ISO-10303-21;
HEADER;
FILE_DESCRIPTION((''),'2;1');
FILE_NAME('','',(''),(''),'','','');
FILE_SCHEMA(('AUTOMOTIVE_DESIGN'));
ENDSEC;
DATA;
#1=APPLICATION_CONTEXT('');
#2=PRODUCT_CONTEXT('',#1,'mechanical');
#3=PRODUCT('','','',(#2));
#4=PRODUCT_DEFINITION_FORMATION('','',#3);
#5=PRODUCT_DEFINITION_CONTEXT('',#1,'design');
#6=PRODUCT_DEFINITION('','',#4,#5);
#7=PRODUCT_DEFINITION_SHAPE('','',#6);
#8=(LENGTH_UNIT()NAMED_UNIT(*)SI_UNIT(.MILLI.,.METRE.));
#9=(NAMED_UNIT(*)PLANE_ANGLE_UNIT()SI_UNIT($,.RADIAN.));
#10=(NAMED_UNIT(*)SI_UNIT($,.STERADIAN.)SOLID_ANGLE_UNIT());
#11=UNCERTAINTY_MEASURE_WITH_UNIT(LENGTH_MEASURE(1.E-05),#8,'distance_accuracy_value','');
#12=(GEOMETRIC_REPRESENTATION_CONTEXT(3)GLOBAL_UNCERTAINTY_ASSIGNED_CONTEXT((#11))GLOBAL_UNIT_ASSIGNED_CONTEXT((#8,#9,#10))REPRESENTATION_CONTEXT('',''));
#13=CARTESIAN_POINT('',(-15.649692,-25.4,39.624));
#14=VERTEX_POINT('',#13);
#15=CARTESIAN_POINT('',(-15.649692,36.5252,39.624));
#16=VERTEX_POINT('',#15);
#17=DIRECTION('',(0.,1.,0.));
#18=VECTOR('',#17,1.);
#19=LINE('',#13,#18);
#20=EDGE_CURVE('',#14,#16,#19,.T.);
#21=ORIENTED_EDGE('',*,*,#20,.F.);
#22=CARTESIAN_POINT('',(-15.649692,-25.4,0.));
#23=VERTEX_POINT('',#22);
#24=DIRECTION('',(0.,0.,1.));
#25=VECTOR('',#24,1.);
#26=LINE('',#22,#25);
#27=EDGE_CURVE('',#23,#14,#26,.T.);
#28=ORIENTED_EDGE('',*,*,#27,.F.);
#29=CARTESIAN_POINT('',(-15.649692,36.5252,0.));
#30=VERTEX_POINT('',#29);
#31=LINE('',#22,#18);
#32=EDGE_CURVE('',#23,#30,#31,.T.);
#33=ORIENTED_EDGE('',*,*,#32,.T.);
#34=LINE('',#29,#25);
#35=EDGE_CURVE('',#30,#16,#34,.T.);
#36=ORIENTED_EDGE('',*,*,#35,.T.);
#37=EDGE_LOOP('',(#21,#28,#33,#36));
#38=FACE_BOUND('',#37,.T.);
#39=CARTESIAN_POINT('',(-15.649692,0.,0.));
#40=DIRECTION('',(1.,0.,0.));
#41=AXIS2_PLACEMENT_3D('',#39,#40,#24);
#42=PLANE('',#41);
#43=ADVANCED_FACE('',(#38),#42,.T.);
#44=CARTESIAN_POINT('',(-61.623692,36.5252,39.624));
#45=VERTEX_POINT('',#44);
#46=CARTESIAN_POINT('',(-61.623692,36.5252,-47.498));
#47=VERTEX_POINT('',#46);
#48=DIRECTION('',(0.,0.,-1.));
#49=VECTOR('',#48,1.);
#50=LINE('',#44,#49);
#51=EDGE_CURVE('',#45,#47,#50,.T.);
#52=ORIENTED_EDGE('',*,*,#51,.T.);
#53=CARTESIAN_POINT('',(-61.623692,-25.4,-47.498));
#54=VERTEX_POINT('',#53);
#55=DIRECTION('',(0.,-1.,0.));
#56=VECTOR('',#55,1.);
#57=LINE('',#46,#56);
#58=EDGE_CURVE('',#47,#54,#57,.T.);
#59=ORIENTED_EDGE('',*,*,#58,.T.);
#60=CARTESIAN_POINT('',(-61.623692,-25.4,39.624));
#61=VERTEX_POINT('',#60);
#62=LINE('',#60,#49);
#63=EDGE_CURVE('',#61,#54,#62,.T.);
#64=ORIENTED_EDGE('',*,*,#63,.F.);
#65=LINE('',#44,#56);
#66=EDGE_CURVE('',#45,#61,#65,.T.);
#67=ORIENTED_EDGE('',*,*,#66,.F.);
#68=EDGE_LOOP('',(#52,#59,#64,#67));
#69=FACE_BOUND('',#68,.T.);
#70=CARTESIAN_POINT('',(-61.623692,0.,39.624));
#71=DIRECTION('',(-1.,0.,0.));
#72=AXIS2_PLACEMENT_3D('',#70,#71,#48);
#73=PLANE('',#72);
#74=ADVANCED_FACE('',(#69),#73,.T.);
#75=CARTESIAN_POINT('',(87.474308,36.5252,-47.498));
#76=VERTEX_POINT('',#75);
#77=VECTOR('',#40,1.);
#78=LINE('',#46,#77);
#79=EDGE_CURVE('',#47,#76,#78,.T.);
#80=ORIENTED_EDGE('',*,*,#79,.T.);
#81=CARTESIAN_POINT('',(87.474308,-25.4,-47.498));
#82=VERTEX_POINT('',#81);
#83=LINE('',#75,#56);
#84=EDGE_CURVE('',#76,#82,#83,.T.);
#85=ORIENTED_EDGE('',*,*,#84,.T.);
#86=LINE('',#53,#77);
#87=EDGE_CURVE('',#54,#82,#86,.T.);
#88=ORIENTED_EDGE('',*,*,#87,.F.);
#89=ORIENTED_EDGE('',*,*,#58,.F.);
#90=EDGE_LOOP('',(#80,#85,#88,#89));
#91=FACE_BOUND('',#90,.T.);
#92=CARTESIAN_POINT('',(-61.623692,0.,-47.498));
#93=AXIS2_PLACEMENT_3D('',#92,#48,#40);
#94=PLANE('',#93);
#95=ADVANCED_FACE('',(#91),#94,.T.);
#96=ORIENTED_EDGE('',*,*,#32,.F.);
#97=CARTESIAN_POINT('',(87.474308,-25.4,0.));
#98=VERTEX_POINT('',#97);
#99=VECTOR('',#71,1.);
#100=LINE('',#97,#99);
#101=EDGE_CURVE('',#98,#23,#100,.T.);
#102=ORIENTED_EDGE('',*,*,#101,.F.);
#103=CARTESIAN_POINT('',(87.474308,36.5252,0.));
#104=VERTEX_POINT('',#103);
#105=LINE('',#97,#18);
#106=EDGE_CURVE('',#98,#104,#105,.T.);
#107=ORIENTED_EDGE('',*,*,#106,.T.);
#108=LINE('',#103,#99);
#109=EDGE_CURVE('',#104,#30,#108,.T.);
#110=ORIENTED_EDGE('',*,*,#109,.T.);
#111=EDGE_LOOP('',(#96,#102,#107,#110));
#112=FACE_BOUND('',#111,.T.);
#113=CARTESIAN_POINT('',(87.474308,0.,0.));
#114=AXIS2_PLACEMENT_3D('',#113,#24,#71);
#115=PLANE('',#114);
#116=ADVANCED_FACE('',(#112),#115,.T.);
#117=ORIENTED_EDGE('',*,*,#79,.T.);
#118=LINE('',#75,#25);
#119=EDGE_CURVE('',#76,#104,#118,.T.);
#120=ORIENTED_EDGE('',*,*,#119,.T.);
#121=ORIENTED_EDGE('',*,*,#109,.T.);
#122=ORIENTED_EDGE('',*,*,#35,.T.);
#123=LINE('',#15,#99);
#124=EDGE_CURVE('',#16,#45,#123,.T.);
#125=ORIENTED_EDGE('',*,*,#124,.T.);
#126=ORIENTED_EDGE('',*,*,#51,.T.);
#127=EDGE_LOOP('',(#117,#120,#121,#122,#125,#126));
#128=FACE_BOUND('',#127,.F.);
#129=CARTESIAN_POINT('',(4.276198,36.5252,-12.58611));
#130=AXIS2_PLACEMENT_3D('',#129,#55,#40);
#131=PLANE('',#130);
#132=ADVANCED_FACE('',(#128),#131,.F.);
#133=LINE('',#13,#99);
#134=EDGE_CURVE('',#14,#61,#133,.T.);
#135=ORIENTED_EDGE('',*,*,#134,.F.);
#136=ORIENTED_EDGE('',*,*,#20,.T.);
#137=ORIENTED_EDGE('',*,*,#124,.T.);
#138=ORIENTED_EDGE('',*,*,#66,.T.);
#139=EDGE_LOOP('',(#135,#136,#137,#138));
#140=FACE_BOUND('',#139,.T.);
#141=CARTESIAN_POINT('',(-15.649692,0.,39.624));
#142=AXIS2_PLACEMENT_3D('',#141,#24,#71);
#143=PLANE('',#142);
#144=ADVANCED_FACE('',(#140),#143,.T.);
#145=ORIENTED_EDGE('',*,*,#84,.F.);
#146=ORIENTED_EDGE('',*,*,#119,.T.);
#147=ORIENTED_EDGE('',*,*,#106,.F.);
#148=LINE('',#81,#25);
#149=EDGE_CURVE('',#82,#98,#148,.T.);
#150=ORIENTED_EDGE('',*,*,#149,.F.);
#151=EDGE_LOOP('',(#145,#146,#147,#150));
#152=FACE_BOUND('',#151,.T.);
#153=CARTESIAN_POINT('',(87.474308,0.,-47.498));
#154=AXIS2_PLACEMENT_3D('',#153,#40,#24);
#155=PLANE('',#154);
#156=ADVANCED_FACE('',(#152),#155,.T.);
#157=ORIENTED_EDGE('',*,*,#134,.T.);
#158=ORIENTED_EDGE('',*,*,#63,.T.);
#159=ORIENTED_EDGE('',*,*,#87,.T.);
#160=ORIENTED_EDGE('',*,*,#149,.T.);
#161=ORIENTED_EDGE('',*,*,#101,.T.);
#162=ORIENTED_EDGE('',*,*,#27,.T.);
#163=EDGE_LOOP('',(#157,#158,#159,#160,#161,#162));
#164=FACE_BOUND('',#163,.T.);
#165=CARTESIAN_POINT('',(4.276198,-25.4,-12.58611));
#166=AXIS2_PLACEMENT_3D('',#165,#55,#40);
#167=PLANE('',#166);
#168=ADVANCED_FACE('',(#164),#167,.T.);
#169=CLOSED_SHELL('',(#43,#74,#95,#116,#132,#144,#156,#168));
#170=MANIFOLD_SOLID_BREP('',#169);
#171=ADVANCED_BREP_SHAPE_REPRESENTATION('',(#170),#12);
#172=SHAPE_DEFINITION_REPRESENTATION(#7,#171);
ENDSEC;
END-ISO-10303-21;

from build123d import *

# Parameters (mm, degrees)
F1_DEPTH      = 25.4
F1_DEPTH_BACK = 36.5252


with BuildPart() as f1:
    # F0 (on Front) → F1 (new body, two sides)
    with BuildSketch(Plane.XZ) as f1_sk:
        Polygon((-15.649692, 39.624), (-61.623692, 39.624), (-61.623692, -47.498), (87.474308, -47.498), (87.474308, 0), (-15.649692, 0), align=None)
    extrude(amount=F1_DEPTH)
    extrude(f1_sk.sketch, amount=-F1_DEPTH_BACK)


solid = f1.part
